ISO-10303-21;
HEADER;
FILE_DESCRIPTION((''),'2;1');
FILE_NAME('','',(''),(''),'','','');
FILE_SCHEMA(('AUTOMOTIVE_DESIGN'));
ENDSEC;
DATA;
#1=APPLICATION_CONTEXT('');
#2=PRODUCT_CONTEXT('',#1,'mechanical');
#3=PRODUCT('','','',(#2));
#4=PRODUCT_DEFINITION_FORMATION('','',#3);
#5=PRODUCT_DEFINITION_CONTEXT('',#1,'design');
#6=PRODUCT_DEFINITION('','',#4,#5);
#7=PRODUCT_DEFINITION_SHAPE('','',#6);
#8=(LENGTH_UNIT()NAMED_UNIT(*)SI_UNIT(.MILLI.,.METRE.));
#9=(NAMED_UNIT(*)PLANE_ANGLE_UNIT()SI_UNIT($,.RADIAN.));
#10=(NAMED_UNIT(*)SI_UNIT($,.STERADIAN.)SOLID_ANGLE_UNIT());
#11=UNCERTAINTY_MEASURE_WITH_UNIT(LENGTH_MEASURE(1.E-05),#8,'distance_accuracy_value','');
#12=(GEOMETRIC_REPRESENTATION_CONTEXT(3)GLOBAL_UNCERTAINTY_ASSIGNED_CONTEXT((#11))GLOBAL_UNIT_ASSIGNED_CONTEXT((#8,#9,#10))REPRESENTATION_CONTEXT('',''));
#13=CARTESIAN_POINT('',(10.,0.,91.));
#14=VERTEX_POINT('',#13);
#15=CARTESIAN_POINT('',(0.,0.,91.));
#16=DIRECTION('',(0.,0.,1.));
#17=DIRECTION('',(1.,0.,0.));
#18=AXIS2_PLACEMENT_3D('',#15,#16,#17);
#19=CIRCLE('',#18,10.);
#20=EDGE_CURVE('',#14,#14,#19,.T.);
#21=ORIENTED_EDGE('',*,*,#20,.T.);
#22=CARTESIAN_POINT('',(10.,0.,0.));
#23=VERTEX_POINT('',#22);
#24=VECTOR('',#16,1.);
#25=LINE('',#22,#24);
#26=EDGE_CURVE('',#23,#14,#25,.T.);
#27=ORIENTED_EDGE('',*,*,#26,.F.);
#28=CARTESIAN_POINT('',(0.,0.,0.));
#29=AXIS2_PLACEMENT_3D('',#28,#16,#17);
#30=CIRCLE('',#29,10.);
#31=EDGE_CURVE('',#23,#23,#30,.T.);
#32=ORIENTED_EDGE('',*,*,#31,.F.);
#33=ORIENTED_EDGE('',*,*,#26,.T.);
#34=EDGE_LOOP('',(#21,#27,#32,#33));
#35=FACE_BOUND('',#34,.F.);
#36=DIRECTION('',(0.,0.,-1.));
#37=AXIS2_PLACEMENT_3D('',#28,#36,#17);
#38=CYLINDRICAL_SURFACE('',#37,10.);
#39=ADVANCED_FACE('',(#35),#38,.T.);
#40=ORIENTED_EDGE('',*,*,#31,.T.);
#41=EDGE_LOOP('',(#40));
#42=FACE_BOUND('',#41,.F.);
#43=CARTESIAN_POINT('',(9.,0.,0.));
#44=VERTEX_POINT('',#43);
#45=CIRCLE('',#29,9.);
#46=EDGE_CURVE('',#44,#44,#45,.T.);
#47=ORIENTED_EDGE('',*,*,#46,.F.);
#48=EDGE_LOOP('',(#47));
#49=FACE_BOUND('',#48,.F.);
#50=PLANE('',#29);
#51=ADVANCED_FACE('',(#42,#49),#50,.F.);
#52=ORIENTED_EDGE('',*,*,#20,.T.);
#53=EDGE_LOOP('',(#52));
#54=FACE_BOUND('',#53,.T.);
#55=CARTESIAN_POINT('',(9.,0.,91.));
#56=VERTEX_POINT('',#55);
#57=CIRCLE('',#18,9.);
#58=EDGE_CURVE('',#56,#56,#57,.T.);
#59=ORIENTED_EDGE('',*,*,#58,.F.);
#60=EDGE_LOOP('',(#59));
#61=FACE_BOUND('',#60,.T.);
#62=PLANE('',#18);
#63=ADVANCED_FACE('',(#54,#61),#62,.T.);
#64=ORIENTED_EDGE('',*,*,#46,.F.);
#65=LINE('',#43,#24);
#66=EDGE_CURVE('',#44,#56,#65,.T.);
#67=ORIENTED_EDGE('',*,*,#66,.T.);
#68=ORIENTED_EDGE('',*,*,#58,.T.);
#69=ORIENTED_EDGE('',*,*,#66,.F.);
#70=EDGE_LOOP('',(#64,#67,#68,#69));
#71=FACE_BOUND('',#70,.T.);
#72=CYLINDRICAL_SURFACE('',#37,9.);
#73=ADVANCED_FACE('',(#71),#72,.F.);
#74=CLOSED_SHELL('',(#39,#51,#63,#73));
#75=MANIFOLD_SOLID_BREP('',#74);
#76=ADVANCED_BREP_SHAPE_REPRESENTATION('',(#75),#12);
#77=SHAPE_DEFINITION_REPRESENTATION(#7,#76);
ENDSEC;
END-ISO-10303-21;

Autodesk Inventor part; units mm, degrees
ref_plane "YZ Plane" through (0, 0, 0) normal (1, 0, 0) x (0, 1, 0)
ref_plane "XZ Plane" through (0, 0, 0) normal (0, 1, 0) x (-1, 0, 0)
ref_plane "XY Plane" through (0, 0, 0) normal (0, 0, 1) x (1, 0, 0)
sketch "草图1" plane through (0, 0, 0) normal (0, 0, 1) x (1, 0, 0)
  circle A0 centre (0, 0) radius 10
  circle A1 centre (0, 0) radius 9
  dimension "d0" = 20
  dimension "d1" = 1
  dimension "d4" = 18
extrude "拉伸1" add sketch "草图1" along normal blind 91
properties part number "导管"
